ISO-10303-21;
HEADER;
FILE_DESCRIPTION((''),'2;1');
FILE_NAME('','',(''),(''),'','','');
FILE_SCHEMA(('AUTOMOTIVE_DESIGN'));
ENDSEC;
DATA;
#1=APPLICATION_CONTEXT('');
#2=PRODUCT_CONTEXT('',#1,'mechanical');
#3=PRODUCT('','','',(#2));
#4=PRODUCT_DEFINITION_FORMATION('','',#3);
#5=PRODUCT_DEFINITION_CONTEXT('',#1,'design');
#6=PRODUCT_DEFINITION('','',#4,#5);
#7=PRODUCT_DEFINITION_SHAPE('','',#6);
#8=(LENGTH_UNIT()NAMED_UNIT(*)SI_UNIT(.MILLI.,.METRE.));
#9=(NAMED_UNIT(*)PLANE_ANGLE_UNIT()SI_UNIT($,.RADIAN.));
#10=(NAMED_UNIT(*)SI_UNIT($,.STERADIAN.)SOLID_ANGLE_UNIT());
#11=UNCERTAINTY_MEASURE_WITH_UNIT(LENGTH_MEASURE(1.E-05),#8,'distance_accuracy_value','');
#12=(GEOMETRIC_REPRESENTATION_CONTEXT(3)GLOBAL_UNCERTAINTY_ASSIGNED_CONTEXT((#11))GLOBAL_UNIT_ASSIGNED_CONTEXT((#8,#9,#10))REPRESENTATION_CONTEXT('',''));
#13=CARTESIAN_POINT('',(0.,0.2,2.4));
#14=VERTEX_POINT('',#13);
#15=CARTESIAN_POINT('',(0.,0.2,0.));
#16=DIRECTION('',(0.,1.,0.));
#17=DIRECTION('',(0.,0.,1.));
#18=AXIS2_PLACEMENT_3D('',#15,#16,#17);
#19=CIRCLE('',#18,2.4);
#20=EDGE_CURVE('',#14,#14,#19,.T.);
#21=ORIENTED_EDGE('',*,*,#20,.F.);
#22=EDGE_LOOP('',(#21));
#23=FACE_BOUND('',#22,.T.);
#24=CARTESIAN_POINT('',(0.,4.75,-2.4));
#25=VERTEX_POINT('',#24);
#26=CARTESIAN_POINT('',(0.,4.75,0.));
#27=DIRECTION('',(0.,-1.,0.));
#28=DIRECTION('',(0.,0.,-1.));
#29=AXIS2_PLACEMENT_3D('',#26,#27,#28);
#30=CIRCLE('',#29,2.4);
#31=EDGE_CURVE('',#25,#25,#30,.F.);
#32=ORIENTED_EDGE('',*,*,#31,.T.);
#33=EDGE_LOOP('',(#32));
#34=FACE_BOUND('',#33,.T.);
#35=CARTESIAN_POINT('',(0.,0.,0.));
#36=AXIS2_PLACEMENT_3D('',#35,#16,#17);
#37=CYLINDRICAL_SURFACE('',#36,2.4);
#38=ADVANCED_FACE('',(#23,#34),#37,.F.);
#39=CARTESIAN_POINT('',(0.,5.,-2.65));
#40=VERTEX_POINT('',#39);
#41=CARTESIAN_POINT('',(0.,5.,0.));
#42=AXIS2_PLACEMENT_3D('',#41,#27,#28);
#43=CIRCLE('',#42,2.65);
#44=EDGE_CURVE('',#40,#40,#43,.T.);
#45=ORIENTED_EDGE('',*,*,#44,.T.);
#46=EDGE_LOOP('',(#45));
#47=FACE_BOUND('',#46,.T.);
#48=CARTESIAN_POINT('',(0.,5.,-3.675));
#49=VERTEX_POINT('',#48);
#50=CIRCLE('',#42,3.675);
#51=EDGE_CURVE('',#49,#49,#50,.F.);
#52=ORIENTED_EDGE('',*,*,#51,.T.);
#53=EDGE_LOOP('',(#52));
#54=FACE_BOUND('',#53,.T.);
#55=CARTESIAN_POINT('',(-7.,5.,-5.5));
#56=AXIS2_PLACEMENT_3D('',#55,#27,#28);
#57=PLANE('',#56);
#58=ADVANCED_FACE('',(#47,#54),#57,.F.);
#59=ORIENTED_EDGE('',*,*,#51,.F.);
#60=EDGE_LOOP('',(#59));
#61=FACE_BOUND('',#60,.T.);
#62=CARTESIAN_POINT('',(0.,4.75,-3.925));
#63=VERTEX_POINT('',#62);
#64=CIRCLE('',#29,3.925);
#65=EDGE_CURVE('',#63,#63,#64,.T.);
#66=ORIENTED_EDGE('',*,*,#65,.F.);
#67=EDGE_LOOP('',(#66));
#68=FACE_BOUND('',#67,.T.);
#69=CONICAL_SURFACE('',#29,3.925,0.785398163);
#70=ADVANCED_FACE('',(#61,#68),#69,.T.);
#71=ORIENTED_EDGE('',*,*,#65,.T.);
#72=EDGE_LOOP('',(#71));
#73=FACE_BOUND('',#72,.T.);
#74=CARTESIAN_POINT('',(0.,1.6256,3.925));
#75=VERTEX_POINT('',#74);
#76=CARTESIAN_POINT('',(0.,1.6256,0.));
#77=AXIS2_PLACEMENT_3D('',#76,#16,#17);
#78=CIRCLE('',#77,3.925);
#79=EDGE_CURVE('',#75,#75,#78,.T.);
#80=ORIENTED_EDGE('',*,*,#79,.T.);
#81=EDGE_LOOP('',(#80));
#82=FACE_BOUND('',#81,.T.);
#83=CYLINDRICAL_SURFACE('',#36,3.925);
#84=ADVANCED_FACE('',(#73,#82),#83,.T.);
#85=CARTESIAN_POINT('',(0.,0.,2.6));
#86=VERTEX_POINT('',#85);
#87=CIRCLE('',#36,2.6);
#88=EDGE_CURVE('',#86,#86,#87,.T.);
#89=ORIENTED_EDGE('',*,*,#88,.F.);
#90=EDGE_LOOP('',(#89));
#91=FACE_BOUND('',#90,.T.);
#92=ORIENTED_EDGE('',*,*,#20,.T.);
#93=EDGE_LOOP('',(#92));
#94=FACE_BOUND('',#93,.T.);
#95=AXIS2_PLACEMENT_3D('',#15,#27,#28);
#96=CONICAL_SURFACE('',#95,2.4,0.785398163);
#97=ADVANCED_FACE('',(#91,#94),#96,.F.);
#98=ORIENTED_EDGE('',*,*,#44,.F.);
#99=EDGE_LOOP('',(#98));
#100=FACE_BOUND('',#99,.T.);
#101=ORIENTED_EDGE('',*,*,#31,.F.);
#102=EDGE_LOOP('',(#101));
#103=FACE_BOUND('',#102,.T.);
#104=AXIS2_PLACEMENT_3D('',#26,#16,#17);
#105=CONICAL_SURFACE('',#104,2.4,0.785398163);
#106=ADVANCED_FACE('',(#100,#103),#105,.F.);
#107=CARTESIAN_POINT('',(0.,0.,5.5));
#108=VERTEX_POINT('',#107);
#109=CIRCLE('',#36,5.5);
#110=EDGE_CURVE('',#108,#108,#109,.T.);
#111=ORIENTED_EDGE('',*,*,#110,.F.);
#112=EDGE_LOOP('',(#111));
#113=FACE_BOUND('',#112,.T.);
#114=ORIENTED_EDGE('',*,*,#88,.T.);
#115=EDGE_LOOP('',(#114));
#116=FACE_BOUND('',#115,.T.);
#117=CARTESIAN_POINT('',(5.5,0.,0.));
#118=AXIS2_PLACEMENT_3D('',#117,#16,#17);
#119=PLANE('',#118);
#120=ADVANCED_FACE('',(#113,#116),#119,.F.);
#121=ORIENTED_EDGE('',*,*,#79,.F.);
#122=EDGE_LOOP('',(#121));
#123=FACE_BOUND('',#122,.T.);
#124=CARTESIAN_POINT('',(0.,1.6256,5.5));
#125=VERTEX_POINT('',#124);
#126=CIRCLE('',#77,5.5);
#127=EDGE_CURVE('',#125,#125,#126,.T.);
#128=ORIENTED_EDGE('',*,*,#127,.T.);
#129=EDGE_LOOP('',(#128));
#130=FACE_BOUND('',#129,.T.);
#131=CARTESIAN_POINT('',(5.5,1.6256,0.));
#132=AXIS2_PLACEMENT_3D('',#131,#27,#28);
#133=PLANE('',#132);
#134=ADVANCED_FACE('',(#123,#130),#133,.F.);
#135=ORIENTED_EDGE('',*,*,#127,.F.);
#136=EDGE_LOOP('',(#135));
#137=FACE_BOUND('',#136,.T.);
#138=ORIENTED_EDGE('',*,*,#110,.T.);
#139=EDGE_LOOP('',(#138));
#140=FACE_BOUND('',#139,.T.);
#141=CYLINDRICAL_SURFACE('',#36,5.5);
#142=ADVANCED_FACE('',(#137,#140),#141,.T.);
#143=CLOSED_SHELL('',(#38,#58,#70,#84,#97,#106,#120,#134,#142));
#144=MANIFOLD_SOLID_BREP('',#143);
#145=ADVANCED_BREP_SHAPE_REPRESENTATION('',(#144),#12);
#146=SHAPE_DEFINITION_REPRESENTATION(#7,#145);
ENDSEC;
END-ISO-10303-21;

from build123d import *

# Parameters (mm, degrees)
SKETCH2_W               = 14
SKETCH2_H               = 8
CUT_EXTRUDE1_DEPTH      = 6.5
CUT_EXTRUDE1_DEPTH_BACK = 6.5
CHAMFER1_SIZE           = 0.25


with BuildPart() as part:
    # Sketch1 → Revolve1 (revolve)
    with BuildSketch(Plane.XY):
        Polygon((3.925, 1.6256), (3.925, 12.4), (2.4, 12.4), (2.4, 0.2), (2.6, 0), (5.5, 0), (5.5, 1.6256), align=None)
    revolve(axis=Axis((0, 0, 0), (0, -1, 0)))

    # Sketch2 → Cut-Extrude1 (cut, two sides)
    with BuildSketch(Plane.XY) as cut_extrude1_sk:
        with Locations((0, 9)):
            Rectangle(SKETCH2_W, SKETCH2_H)
    extrude(amount=CUT_EXTRUDE1_DEPTH, mode=Mode.SUBTRACT)
    extrude(cut_extrude1_sk.sketch, amount=-CUT_EXTRUDE1_DEPTH_BACK, mode=Mode.SUBTRACT)

    # Chamfer1
    chamfer1_edges = [part.edges().sort_by_distance(p)[0] for p in [
        (-3.925, 5, 0),
        (-2.4, 5, 0),
    ]]
    chamfer(chamfer1_edges, length=CHAMFER1_SIZE)


solid = part.part
